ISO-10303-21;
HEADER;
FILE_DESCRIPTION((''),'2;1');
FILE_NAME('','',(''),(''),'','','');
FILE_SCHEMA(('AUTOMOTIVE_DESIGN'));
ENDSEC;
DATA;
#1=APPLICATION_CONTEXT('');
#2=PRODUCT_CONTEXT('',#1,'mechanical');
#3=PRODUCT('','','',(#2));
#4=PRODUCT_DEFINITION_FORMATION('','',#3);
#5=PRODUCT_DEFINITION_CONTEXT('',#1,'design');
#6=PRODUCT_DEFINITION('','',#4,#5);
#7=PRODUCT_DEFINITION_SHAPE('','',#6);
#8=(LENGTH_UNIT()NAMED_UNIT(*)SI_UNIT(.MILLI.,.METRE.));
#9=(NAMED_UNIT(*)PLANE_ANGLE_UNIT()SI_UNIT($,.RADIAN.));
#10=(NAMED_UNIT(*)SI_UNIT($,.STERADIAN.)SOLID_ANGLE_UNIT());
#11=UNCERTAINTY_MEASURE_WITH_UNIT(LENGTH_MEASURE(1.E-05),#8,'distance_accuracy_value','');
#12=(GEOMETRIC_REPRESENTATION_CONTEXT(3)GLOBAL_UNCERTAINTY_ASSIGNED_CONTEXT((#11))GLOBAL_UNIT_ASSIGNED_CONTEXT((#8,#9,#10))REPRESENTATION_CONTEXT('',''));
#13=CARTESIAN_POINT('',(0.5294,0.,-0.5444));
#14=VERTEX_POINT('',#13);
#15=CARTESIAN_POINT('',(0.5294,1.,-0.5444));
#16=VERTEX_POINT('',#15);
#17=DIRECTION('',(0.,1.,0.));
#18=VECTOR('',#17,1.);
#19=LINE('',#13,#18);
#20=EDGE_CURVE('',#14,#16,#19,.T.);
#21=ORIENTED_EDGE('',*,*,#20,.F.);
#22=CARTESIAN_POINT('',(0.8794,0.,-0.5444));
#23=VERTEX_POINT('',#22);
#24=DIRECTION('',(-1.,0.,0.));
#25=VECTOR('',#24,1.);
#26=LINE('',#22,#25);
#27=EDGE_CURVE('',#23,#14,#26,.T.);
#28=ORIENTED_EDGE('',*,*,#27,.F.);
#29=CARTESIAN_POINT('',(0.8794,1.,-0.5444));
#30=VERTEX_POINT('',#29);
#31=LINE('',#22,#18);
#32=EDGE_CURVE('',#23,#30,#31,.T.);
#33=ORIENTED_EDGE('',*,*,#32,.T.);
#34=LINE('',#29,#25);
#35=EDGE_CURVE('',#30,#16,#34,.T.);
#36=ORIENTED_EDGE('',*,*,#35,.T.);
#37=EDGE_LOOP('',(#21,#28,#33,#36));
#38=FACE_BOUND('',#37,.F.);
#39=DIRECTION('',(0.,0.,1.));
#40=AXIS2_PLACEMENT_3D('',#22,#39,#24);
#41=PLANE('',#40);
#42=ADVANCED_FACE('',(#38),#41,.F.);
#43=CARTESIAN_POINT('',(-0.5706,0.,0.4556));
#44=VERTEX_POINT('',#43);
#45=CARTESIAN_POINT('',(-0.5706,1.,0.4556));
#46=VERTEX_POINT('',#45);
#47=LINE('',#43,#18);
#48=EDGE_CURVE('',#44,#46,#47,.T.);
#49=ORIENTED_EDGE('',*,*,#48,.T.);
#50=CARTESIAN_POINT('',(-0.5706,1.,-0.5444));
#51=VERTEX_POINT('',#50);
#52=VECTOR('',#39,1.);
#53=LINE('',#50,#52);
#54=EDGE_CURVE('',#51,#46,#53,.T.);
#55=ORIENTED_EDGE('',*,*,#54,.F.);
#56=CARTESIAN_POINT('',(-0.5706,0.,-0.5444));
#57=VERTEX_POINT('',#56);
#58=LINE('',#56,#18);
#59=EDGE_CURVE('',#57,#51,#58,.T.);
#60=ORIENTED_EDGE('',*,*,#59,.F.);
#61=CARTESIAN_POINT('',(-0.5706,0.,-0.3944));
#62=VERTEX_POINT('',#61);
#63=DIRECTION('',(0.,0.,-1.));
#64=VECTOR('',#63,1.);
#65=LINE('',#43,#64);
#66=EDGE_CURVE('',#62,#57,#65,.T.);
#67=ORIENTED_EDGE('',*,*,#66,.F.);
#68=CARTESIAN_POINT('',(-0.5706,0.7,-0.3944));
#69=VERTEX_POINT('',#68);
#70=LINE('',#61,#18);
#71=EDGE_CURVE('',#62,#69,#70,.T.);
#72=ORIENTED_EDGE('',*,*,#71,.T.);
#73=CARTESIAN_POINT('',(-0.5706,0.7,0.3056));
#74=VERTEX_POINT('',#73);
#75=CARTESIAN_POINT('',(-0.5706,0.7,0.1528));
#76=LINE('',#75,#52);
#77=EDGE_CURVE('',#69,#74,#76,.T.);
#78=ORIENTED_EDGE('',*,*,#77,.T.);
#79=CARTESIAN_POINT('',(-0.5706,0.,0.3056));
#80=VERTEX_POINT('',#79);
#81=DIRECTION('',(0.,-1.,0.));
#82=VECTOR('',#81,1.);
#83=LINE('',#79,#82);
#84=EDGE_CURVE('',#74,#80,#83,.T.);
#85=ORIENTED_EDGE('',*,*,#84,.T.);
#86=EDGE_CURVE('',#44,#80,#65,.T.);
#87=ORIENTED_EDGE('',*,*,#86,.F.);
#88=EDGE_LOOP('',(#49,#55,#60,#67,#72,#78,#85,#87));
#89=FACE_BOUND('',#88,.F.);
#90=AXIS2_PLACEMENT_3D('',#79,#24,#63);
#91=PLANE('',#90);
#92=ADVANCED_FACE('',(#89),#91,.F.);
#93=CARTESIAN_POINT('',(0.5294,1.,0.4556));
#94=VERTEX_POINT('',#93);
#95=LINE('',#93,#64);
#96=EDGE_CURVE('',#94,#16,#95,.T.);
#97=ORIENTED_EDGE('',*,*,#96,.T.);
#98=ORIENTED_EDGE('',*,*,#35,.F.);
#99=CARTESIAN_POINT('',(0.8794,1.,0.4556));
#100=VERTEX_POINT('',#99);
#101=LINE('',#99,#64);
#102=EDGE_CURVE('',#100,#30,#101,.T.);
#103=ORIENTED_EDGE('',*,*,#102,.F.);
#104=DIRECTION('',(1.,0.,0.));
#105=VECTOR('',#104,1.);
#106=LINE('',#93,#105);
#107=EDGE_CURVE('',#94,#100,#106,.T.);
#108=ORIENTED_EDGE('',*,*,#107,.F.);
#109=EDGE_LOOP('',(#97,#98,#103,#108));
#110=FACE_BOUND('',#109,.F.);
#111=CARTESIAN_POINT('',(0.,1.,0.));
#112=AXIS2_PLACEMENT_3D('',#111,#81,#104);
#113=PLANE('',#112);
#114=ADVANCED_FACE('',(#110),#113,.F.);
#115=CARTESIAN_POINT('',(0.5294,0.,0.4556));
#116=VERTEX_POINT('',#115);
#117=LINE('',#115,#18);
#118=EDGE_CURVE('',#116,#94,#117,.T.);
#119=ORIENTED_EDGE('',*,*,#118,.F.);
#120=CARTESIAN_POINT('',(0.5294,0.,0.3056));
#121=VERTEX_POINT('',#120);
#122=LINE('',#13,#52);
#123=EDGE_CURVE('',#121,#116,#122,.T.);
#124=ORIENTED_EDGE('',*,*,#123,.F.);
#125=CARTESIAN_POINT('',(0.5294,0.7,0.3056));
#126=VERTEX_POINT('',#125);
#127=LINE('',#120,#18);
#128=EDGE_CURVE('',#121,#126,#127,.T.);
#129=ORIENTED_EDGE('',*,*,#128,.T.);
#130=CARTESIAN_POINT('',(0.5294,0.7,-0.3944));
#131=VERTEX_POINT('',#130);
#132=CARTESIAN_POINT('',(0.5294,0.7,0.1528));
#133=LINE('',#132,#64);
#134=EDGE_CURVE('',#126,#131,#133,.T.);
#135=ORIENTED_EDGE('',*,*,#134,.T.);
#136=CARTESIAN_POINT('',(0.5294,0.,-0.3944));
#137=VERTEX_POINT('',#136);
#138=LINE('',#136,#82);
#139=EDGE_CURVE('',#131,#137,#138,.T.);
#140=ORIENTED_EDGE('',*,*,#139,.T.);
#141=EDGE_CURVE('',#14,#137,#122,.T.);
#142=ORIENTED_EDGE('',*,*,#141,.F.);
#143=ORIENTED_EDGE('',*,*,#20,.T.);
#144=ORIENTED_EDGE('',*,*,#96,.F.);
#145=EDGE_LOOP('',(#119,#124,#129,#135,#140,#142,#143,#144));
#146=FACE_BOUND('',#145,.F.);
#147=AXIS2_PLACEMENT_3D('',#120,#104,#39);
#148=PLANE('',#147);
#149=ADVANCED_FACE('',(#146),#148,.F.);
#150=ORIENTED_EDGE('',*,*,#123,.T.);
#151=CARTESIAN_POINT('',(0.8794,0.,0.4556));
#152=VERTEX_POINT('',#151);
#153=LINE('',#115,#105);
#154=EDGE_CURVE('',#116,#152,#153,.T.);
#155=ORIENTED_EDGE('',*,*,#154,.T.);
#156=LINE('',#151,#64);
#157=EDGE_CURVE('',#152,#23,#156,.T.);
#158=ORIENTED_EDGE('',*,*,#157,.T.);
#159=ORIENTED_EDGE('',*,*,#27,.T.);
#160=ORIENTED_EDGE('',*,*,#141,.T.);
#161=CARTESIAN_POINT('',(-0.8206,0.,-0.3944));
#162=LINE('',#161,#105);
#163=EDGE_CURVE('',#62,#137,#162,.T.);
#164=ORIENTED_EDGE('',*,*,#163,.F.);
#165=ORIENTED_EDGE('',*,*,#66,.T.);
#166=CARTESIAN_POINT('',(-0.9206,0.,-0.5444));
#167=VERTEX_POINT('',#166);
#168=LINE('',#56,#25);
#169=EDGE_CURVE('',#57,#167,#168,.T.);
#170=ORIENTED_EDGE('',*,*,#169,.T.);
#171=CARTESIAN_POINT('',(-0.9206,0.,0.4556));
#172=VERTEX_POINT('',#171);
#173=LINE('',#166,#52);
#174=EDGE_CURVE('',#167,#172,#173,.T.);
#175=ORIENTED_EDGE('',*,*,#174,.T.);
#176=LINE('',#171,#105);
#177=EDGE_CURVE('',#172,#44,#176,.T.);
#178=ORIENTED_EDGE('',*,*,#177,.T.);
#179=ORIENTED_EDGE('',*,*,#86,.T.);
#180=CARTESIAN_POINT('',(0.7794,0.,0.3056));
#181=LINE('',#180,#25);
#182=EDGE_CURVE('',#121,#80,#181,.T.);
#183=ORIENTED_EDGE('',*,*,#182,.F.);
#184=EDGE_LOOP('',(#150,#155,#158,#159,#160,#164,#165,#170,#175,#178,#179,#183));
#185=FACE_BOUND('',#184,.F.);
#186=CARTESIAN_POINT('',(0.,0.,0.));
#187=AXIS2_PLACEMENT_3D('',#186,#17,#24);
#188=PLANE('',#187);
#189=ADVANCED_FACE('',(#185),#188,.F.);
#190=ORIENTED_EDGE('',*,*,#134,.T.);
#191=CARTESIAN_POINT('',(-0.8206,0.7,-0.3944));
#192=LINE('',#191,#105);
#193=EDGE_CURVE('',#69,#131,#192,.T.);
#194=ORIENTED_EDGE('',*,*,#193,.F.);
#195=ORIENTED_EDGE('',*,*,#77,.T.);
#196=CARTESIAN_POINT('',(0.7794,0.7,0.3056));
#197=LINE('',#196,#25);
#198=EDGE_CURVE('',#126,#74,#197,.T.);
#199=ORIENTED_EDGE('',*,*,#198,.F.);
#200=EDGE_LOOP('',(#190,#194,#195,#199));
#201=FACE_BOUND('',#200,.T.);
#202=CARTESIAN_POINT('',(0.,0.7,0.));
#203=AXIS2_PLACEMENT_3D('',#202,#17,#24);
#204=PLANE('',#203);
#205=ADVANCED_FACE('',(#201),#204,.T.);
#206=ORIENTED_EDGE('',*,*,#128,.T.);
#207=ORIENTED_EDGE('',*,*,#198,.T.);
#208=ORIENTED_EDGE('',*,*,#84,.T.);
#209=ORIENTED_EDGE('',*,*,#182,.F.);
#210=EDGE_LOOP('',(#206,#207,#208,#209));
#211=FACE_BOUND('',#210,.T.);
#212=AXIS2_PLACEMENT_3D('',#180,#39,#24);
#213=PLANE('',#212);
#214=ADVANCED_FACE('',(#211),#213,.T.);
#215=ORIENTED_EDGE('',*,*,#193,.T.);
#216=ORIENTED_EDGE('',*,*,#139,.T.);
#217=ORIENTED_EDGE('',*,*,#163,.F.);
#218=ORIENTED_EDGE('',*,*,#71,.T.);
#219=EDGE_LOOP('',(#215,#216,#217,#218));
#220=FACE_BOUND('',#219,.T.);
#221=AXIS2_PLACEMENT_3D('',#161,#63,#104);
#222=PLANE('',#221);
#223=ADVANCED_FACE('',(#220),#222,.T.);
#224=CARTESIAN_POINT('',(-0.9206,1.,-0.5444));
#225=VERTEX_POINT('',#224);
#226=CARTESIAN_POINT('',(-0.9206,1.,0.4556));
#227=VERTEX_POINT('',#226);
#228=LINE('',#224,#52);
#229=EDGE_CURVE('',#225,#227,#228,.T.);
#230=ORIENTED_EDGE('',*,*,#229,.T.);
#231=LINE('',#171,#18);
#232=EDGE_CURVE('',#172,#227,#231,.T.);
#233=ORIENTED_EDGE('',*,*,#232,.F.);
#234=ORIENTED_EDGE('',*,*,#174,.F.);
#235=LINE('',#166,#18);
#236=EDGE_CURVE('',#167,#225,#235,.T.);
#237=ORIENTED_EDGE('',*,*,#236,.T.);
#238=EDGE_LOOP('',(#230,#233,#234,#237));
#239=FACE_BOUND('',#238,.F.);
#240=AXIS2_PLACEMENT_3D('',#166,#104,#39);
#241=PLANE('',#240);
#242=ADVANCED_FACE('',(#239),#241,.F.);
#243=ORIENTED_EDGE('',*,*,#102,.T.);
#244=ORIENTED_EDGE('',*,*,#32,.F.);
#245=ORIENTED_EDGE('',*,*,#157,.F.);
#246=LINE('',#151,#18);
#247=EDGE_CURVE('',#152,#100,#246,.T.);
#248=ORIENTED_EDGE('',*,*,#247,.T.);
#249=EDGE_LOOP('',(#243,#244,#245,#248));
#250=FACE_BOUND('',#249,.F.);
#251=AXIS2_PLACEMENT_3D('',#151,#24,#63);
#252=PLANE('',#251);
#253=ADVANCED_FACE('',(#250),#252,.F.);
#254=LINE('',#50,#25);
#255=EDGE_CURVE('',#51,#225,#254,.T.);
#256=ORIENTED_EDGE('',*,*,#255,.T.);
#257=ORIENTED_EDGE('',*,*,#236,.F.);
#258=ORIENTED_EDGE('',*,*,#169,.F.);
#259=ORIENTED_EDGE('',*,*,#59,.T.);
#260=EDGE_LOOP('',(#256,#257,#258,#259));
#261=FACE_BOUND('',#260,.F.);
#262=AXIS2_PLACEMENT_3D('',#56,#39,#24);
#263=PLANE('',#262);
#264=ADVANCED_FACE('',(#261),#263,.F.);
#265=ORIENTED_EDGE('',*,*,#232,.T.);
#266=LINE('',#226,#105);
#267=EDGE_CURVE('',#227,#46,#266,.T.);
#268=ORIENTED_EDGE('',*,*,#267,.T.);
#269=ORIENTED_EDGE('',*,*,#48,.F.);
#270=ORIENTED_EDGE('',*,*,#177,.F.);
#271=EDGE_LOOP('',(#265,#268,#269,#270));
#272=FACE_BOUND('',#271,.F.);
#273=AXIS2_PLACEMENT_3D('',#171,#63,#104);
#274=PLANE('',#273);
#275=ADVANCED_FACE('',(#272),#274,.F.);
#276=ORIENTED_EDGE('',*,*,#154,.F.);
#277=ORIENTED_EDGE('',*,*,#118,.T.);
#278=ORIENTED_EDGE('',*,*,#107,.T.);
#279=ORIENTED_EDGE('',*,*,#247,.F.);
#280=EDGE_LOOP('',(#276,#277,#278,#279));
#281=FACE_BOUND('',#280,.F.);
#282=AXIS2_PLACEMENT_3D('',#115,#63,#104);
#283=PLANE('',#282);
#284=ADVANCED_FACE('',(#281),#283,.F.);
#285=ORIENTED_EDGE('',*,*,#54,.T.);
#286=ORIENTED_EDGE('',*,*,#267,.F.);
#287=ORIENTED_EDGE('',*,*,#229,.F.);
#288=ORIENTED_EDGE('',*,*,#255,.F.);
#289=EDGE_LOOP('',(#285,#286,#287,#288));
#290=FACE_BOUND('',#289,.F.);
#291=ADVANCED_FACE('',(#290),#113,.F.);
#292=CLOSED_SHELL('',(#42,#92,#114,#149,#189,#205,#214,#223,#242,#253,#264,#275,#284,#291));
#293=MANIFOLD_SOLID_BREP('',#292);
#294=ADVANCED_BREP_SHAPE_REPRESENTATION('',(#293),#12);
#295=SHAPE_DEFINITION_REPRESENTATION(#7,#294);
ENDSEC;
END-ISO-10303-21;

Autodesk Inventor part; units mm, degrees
ref_plane "YZ Plane" through (0, 0, 0) normal (1, 0, 0) x (0, 1, 0)
ref_plane "XZ Plane" through (0, 0, 0) normal (0, 1, 0) x (-1, 0, 0)
ref_plane "XY Plane" through (0, 0, 0) normal (0, 0, 1) x (1, 0, 0)
sketch "Sketch1" plane through (0, 0, 0) normal (0, 1, 0) x (-1, 0, 0)
  line L0 (-0.7794, 0.3056) -> (0.8206, 0.3056)
  line L1 (0.8206, 0.3056) -> (0.8206, -0.3944)
  line L2 (0.8206, -0.3944) -> (-0.7794, -0.3944)
  line L3 (-0.7794, -0.3944) -> (-0.7794, 0.3056)
  point P0 (0, 0)
  dimension "d0" = 1.6
  dimension "d1" = 0.7
extrude "Extrusion1" add sketch "Sketch1" along normal blind 0.7
sketch "Sketch2" plane through (0, 0, 0) normal (0, -1, 0) x (1, 0, 0)
  line L0 (0.7794, 0.3056) -> (-0.8206, 0.3056) projected
  line L1 (-0.8206, 0.3056) -> (-0.8206, -0.3944) projected
  line L2 (-0.9206, 0.4556) -> (-0.5706, 0.4556)
  line L3 (-0.5706, 0.4556) -> (-0.5706, -0.5444)
  line L4 (-0.5706, -0.5444) -> (-0.9206, -0.5444)
  line L5 (-0.9206, -0.5444) -> (-0.9206, 0.4556)
  line L6 (0.5294, 0.4556) -> (0.8794, 0.4556)
  line L7 (0.8794, 0.4556) -> (0.8794, -0.5444)
  line L8 (0.8794, -0.5444) -> (0.5294, -0.5444)
  line L9 (0.5294, -0.5444) -> (0.5294, 0.4556)
  point P0 (0, 0)
  dimension "d4" = 0.35
  dimension "d5" = 0.35
  dimension "d6" = 1.8
  dimension "d7" = 0.1
  dimension "d8" = 1
  dimension "d9" = 1
  dimension "d10" = 0.15
  dimension "d11" = 0.15
extrude "Extrusion2" add sketch "Sketch2" against normal blind 1
properties part number "0603Inductor"
